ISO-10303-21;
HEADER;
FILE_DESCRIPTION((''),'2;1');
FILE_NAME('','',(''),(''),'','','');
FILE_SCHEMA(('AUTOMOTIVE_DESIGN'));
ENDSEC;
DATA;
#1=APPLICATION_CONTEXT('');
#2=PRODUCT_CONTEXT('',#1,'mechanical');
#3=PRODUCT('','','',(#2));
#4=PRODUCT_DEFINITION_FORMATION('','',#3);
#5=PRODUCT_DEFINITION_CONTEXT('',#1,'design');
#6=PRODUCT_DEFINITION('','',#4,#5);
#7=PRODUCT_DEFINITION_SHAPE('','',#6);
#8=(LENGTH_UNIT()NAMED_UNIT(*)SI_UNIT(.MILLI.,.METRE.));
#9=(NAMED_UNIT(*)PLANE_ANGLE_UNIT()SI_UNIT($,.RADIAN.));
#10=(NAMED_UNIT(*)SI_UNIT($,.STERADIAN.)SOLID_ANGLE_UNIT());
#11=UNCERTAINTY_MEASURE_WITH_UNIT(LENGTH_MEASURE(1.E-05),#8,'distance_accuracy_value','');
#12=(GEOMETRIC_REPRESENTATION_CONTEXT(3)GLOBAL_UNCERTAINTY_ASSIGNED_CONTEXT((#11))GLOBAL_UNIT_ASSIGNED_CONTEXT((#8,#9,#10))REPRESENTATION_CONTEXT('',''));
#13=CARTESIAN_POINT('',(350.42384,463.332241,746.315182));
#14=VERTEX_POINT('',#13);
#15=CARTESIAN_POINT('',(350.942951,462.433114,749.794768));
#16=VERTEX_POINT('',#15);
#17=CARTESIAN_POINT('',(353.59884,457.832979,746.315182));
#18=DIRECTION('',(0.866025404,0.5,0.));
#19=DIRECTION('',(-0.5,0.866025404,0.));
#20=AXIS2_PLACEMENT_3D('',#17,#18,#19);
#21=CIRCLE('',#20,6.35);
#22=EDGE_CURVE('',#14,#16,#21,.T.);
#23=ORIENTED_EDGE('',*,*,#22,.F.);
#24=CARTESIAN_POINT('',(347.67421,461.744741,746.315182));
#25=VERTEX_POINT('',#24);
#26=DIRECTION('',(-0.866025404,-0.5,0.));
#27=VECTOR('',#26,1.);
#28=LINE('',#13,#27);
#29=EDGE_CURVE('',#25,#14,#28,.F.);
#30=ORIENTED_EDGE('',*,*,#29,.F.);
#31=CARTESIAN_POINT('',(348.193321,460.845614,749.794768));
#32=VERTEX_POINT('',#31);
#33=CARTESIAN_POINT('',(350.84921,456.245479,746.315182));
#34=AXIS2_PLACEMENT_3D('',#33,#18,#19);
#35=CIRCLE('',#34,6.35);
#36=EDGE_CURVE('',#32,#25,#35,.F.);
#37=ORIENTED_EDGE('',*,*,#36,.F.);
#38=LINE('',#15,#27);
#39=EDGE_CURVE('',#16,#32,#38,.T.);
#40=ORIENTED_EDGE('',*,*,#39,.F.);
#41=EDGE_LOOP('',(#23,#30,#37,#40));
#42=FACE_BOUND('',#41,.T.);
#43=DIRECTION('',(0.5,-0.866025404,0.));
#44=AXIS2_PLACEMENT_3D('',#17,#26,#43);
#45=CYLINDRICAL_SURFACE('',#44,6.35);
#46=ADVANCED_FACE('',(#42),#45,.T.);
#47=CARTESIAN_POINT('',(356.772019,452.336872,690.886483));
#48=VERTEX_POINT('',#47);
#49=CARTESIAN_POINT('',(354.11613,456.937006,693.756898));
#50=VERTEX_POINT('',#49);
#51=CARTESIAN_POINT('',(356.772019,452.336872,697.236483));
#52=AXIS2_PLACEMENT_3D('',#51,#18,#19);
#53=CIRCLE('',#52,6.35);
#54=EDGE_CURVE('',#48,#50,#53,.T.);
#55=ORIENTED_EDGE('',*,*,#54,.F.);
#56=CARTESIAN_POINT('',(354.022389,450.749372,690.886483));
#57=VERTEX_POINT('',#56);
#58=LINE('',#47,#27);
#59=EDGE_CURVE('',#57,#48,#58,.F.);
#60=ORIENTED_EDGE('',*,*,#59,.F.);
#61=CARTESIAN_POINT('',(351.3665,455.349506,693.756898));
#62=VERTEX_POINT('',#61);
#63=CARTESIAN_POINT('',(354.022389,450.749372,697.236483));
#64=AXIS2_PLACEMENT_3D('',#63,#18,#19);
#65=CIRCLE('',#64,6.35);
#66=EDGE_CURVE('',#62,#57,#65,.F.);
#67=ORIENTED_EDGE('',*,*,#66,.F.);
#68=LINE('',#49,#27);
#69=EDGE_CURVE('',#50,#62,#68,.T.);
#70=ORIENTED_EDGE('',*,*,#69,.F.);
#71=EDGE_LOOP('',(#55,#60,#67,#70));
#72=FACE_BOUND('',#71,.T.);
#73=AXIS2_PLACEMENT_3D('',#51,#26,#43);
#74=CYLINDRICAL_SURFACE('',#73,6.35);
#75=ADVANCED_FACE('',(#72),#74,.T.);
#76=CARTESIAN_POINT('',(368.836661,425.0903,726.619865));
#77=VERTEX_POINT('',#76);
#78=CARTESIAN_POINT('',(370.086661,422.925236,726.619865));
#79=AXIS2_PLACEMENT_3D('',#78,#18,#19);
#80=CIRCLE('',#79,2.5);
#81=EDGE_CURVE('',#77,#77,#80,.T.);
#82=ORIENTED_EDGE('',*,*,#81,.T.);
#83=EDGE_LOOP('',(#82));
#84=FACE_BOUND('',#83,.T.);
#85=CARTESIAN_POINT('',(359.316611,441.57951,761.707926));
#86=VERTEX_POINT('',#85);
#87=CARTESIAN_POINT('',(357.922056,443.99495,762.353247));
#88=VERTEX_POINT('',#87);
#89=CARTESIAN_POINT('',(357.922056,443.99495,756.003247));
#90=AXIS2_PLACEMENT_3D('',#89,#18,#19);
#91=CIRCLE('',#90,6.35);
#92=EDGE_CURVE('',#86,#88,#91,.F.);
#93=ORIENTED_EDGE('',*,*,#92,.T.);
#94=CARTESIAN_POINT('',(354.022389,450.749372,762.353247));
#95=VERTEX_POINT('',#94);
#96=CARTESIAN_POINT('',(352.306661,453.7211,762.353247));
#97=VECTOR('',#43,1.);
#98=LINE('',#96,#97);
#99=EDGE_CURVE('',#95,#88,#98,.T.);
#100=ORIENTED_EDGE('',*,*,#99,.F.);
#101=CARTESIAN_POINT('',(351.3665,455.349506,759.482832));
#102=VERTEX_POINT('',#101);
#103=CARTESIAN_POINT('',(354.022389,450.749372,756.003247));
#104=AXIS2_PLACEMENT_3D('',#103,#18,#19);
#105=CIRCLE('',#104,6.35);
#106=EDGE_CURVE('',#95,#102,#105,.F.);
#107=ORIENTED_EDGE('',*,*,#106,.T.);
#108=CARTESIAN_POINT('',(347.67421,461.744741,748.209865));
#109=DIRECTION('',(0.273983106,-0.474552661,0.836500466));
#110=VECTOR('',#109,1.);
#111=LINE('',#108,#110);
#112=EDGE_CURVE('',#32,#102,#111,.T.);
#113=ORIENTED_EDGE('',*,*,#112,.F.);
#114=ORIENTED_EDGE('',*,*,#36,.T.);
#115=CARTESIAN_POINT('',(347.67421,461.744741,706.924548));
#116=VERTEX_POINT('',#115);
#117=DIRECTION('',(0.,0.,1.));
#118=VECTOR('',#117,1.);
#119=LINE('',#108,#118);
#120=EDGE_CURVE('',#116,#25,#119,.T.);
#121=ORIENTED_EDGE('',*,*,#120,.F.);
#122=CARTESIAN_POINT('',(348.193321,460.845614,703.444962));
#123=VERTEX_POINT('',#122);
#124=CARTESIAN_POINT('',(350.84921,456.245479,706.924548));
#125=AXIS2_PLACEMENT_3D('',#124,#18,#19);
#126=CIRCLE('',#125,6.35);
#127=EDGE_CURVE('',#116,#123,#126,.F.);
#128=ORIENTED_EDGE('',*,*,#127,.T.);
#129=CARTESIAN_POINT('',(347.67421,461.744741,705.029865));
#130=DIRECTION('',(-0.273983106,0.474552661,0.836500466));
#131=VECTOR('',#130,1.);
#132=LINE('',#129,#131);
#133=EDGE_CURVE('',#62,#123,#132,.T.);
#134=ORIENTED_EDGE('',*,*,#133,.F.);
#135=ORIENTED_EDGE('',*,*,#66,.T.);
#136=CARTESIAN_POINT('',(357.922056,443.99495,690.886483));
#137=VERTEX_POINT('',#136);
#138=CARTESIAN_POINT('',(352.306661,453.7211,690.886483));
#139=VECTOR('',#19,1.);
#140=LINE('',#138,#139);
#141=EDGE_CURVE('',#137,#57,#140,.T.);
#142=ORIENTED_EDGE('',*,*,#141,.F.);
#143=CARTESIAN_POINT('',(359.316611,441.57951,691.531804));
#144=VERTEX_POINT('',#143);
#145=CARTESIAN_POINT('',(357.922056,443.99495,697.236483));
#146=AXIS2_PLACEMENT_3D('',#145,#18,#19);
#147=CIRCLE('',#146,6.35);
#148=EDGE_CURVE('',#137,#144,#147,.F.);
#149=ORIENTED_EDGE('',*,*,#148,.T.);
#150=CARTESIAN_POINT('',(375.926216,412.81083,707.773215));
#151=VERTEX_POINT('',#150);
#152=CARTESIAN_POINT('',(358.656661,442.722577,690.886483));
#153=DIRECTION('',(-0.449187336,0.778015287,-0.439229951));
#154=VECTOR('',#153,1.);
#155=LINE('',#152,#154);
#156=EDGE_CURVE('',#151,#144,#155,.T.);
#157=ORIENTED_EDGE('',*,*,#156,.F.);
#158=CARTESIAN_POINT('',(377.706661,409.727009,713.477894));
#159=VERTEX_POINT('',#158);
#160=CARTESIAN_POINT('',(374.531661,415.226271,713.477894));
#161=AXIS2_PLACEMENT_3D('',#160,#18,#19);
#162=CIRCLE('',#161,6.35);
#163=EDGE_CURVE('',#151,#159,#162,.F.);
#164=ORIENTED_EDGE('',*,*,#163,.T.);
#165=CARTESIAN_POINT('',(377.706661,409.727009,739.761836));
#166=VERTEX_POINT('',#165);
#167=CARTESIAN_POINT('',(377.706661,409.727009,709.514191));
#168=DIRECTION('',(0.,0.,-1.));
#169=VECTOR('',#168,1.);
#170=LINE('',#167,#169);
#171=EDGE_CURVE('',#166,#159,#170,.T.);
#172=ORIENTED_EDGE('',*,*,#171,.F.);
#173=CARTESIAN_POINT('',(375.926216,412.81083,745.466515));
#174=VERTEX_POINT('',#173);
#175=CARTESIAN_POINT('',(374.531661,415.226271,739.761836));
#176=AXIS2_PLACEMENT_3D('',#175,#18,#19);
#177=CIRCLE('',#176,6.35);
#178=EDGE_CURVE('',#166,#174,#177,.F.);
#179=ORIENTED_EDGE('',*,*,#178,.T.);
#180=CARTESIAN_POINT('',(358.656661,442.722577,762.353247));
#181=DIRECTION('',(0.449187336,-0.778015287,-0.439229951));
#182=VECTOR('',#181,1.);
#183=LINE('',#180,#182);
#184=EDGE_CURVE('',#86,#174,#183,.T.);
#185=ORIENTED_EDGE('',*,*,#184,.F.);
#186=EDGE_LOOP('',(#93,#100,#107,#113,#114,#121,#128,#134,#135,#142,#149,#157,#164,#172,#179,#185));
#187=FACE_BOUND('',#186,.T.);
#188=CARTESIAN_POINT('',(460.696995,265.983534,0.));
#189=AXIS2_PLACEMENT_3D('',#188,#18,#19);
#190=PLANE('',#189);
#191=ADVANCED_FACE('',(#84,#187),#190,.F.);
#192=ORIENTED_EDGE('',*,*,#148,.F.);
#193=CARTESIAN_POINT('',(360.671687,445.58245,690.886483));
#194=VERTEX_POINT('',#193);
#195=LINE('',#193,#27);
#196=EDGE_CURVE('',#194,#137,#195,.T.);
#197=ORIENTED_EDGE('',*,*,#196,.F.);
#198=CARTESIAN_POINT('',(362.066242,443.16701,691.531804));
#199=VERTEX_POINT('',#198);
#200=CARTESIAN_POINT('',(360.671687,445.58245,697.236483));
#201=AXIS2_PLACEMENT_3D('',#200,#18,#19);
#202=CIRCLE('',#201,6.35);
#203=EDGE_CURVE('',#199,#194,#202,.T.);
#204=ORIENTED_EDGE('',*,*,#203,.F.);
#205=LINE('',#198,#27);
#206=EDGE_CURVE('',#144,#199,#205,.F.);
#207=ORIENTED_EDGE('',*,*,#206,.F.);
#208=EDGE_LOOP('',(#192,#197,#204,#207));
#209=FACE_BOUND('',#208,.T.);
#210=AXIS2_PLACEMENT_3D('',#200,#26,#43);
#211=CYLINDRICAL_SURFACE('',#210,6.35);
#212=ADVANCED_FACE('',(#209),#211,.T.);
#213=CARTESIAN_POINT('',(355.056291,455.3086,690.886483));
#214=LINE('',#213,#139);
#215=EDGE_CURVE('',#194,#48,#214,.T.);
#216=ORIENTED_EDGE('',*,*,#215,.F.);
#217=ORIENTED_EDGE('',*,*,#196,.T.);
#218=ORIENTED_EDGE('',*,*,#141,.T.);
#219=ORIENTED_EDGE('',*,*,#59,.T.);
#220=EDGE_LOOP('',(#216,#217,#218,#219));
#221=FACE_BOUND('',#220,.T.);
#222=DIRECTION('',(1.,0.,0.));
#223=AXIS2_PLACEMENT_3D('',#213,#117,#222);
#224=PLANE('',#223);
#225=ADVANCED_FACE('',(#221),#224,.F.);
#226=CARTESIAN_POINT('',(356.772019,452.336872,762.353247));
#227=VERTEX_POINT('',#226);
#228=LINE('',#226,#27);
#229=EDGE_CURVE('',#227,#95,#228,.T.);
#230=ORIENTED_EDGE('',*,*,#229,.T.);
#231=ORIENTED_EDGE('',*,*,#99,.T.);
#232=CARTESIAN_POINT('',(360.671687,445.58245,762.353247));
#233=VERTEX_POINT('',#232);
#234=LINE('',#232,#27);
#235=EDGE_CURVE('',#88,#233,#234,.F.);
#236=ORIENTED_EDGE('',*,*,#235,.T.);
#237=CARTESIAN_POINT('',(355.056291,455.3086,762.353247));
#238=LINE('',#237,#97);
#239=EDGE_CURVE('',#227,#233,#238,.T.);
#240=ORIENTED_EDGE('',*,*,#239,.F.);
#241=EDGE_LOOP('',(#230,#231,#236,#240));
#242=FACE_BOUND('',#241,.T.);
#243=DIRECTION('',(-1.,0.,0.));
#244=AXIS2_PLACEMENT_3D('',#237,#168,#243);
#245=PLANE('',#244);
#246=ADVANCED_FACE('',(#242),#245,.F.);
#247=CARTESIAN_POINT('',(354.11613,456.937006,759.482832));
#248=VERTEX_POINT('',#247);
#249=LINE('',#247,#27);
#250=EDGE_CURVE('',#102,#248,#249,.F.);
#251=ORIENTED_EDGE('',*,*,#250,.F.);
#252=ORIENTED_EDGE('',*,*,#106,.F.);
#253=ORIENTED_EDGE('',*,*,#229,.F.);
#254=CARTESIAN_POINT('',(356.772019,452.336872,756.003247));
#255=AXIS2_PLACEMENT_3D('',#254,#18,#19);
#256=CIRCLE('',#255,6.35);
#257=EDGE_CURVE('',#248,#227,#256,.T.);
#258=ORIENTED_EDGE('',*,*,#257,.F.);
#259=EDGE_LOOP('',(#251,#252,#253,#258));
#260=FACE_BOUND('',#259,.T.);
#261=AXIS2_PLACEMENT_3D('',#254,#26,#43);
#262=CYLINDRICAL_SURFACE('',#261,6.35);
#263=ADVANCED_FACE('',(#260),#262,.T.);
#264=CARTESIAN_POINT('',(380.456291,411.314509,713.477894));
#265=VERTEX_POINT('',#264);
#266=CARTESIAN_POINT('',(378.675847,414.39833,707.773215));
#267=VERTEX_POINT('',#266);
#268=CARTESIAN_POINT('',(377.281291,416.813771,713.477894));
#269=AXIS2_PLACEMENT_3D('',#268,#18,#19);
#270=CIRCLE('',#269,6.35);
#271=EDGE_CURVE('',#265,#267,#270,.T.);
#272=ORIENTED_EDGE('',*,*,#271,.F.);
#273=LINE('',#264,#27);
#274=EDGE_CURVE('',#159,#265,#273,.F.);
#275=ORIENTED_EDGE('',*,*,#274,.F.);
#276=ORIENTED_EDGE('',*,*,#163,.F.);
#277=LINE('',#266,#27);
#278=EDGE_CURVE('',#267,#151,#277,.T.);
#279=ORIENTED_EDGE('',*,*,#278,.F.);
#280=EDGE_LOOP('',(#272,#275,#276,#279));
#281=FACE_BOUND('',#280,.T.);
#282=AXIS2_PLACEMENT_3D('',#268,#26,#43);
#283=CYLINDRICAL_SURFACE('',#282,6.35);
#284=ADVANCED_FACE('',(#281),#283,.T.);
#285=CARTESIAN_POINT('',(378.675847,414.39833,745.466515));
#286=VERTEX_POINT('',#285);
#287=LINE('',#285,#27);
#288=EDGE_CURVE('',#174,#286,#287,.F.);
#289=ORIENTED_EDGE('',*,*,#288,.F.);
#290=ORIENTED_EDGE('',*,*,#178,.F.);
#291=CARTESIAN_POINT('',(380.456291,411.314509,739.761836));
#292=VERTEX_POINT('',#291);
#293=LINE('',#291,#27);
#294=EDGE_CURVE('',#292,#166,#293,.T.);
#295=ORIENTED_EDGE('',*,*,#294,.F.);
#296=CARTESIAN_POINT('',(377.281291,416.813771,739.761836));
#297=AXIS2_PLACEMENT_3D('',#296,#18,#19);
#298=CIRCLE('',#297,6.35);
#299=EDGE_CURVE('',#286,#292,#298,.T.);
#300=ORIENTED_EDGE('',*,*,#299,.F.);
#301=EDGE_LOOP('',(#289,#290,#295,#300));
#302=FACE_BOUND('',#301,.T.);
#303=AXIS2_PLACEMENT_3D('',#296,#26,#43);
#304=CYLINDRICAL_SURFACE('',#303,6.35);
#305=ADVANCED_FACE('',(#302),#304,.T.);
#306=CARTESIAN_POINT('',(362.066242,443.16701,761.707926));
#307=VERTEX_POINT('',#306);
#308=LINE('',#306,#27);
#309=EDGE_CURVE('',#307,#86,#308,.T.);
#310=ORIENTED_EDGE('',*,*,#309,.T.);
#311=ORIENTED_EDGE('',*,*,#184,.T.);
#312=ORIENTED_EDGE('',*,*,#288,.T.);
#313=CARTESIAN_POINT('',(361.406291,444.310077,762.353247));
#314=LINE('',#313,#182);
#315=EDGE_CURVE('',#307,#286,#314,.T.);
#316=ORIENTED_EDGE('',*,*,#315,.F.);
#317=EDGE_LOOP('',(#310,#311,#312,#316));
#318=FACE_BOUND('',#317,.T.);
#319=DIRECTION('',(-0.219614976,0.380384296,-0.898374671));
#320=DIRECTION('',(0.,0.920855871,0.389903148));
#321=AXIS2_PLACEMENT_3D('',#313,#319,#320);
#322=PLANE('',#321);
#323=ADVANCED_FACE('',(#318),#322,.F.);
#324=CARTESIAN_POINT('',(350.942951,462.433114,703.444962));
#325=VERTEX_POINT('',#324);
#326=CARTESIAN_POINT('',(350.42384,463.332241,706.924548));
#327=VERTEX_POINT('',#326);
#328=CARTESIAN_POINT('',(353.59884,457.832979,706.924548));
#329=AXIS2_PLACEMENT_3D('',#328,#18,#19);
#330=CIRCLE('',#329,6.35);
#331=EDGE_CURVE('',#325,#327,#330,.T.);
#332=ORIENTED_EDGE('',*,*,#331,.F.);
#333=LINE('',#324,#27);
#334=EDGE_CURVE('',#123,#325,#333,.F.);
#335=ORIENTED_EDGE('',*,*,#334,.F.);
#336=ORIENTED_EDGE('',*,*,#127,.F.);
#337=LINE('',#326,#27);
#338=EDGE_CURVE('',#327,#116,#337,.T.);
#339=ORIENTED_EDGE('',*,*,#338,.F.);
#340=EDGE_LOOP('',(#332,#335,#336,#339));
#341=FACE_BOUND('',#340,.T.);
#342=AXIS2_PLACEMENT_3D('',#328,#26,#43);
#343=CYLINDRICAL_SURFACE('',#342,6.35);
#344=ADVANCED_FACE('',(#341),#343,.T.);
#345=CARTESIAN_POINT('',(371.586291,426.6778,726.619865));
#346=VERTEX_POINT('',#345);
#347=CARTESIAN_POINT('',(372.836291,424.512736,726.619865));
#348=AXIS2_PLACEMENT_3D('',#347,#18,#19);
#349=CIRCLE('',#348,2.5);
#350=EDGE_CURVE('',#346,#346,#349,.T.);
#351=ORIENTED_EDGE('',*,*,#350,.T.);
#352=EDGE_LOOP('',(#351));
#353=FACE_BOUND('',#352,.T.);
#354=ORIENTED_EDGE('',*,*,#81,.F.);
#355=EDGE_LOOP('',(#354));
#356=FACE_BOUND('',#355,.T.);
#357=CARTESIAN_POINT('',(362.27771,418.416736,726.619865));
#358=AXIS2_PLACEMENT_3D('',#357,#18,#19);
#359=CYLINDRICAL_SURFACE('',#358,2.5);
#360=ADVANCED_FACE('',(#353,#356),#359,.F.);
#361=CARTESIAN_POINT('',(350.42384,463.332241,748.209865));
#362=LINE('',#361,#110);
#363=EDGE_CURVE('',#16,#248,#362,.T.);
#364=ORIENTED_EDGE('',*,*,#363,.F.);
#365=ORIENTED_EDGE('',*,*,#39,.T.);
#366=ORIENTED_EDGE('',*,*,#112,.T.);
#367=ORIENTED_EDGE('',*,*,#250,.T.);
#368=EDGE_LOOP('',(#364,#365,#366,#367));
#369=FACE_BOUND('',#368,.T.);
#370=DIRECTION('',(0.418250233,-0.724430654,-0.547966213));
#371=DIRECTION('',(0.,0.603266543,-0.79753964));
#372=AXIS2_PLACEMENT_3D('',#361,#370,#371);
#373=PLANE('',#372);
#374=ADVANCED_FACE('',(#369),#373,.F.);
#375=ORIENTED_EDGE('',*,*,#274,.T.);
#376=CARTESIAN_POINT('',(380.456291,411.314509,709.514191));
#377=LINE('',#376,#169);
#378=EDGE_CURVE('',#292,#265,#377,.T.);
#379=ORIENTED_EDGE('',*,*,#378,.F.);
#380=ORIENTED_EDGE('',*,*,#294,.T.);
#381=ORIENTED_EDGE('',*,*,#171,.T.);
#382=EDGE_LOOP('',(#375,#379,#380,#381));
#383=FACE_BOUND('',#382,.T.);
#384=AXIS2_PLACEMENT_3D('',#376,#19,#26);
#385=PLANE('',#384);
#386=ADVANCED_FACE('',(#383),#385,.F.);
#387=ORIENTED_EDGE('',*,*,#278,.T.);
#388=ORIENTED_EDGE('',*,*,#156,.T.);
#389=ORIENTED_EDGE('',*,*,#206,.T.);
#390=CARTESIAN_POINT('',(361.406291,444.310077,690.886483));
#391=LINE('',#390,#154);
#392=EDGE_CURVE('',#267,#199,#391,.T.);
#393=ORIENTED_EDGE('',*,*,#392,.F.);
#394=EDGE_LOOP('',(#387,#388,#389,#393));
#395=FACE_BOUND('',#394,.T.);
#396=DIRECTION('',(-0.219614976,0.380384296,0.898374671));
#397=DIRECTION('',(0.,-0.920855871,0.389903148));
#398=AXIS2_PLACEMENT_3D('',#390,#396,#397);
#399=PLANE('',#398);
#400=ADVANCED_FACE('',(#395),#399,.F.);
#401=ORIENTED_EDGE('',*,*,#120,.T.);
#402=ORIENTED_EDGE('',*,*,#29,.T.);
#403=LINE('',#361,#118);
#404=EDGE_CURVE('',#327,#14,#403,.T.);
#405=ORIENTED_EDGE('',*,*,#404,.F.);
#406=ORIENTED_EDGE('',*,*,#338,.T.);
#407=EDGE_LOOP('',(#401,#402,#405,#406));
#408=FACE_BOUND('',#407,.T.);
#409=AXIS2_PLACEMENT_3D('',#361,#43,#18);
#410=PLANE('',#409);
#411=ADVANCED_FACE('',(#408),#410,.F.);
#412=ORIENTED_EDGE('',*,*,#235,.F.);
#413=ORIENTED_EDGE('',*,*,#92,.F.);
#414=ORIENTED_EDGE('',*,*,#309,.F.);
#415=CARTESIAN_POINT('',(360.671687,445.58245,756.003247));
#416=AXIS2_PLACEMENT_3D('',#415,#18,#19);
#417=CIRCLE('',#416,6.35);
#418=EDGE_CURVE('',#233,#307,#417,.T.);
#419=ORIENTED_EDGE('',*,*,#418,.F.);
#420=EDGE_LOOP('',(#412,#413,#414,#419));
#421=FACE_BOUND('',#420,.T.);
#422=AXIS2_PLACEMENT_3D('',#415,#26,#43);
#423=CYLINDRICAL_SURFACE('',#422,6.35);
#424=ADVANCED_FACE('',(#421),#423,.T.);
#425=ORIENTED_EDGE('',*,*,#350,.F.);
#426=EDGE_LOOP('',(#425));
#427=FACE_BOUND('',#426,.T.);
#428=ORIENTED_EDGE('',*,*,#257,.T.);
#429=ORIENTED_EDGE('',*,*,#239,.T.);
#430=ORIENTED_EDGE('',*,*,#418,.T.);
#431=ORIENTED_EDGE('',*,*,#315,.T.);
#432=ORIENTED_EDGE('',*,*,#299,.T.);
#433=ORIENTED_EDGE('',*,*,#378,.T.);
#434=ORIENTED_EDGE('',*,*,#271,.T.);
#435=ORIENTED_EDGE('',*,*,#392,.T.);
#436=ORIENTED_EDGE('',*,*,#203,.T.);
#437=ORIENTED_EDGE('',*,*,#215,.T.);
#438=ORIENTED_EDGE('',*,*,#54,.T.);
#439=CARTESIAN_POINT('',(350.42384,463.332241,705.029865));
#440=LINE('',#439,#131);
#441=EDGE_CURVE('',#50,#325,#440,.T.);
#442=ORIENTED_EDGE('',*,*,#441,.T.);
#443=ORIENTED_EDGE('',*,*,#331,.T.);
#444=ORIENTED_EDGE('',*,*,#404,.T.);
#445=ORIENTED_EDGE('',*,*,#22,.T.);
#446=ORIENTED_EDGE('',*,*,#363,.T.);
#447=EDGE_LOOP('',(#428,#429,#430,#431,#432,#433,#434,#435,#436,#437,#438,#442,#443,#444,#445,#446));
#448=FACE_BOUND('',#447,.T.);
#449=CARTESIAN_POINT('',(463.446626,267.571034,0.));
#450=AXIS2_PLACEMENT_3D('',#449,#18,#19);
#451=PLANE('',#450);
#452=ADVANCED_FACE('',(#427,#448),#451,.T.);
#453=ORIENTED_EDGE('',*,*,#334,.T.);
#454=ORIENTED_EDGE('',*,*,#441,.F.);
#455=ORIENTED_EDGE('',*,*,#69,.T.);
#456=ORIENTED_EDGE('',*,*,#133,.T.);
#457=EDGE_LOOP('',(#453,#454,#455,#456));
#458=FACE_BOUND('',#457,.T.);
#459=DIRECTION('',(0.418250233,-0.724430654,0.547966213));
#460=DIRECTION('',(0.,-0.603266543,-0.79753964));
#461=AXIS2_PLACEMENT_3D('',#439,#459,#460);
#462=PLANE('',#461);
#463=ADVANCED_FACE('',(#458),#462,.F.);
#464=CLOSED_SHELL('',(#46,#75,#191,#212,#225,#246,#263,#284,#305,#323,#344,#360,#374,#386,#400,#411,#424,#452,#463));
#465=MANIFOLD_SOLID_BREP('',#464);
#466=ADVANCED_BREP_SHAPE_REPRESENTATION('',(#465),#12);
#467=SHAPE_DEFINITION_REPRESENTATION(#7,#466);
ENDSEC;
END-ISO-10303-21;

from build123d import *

# Parameters (mm, degrees)
BOSS_EXTRUDE1_DEPTH = 3.175
FILLET1_R           = 6.35
SKETCH2_R           = 2.5
CUT_EXTRUDE1_DEPTH  = 12.192


with BuildPart() as part:
    # Sketch1 → Boss-Extrude1 (new body)
    with BuildSketch(Plane(origin=(460.696994896, 265.983534018, 0), x_dir=(0, 0, -1), z_dir=(0.8660254037844387, 0.49999999999999983, 1.3508489681243032e-15))):
        Polygon((-748.209864924, 226.045570747), (-705.029864924, 226.045570747), (-690.886483256, 216.780668208), (-690.886483256, 204.080668208), (-709.514191369, 165.980668208), (-743.725538479, 165.980668208), (-762.353246592, 204.080668208), (-762.353246592, 216.780668208), align=None)
    extrude(amount=BOSS_EXTRUDE1_DEPTH)

    # Fillet1
    fillet1_edges = [part.edges().sort_by_distance(p)[0] for p in [
        (349.04902485, 462.538490698, 748.209864924),
        (349.04902485, 462.538490698, 705.029864924),
        (353.68147612, 454.514849736, 690.886483256),
        (360.03147612, 443.516327108, 690.886483256),
        (379.08147612, 410.520759223, 709.514191369),
        (379.08147612, 410.520759223, 743.725538479),
        (360.03147612, 443.516327108, 762.353246592),
        (353.68147612, 454.514849736, 762.353246592),
    ]]
    fillet(fillet1_edges, radius=FILLET1_R)

    # Sketch2 → Cut-Extrude1 (cut)
    with BuildSketch(Plane(origin=(463.446625553, 267.571034018, 0), x_dir=(0, 0, -1), z_dir=(0.8660254037844395, 0.4999999999999987, 3.3569404763321265e-15))):
        with Locations(Location((-726.619864924, 181.220668208, 0), (0, 0, 90))):
            Circle(SKETCH2_R)
    extrude(amount=-CUT_EXTRUDE1_DEPTH, mode=Mode.SUBTRACT)


solid = part.part
